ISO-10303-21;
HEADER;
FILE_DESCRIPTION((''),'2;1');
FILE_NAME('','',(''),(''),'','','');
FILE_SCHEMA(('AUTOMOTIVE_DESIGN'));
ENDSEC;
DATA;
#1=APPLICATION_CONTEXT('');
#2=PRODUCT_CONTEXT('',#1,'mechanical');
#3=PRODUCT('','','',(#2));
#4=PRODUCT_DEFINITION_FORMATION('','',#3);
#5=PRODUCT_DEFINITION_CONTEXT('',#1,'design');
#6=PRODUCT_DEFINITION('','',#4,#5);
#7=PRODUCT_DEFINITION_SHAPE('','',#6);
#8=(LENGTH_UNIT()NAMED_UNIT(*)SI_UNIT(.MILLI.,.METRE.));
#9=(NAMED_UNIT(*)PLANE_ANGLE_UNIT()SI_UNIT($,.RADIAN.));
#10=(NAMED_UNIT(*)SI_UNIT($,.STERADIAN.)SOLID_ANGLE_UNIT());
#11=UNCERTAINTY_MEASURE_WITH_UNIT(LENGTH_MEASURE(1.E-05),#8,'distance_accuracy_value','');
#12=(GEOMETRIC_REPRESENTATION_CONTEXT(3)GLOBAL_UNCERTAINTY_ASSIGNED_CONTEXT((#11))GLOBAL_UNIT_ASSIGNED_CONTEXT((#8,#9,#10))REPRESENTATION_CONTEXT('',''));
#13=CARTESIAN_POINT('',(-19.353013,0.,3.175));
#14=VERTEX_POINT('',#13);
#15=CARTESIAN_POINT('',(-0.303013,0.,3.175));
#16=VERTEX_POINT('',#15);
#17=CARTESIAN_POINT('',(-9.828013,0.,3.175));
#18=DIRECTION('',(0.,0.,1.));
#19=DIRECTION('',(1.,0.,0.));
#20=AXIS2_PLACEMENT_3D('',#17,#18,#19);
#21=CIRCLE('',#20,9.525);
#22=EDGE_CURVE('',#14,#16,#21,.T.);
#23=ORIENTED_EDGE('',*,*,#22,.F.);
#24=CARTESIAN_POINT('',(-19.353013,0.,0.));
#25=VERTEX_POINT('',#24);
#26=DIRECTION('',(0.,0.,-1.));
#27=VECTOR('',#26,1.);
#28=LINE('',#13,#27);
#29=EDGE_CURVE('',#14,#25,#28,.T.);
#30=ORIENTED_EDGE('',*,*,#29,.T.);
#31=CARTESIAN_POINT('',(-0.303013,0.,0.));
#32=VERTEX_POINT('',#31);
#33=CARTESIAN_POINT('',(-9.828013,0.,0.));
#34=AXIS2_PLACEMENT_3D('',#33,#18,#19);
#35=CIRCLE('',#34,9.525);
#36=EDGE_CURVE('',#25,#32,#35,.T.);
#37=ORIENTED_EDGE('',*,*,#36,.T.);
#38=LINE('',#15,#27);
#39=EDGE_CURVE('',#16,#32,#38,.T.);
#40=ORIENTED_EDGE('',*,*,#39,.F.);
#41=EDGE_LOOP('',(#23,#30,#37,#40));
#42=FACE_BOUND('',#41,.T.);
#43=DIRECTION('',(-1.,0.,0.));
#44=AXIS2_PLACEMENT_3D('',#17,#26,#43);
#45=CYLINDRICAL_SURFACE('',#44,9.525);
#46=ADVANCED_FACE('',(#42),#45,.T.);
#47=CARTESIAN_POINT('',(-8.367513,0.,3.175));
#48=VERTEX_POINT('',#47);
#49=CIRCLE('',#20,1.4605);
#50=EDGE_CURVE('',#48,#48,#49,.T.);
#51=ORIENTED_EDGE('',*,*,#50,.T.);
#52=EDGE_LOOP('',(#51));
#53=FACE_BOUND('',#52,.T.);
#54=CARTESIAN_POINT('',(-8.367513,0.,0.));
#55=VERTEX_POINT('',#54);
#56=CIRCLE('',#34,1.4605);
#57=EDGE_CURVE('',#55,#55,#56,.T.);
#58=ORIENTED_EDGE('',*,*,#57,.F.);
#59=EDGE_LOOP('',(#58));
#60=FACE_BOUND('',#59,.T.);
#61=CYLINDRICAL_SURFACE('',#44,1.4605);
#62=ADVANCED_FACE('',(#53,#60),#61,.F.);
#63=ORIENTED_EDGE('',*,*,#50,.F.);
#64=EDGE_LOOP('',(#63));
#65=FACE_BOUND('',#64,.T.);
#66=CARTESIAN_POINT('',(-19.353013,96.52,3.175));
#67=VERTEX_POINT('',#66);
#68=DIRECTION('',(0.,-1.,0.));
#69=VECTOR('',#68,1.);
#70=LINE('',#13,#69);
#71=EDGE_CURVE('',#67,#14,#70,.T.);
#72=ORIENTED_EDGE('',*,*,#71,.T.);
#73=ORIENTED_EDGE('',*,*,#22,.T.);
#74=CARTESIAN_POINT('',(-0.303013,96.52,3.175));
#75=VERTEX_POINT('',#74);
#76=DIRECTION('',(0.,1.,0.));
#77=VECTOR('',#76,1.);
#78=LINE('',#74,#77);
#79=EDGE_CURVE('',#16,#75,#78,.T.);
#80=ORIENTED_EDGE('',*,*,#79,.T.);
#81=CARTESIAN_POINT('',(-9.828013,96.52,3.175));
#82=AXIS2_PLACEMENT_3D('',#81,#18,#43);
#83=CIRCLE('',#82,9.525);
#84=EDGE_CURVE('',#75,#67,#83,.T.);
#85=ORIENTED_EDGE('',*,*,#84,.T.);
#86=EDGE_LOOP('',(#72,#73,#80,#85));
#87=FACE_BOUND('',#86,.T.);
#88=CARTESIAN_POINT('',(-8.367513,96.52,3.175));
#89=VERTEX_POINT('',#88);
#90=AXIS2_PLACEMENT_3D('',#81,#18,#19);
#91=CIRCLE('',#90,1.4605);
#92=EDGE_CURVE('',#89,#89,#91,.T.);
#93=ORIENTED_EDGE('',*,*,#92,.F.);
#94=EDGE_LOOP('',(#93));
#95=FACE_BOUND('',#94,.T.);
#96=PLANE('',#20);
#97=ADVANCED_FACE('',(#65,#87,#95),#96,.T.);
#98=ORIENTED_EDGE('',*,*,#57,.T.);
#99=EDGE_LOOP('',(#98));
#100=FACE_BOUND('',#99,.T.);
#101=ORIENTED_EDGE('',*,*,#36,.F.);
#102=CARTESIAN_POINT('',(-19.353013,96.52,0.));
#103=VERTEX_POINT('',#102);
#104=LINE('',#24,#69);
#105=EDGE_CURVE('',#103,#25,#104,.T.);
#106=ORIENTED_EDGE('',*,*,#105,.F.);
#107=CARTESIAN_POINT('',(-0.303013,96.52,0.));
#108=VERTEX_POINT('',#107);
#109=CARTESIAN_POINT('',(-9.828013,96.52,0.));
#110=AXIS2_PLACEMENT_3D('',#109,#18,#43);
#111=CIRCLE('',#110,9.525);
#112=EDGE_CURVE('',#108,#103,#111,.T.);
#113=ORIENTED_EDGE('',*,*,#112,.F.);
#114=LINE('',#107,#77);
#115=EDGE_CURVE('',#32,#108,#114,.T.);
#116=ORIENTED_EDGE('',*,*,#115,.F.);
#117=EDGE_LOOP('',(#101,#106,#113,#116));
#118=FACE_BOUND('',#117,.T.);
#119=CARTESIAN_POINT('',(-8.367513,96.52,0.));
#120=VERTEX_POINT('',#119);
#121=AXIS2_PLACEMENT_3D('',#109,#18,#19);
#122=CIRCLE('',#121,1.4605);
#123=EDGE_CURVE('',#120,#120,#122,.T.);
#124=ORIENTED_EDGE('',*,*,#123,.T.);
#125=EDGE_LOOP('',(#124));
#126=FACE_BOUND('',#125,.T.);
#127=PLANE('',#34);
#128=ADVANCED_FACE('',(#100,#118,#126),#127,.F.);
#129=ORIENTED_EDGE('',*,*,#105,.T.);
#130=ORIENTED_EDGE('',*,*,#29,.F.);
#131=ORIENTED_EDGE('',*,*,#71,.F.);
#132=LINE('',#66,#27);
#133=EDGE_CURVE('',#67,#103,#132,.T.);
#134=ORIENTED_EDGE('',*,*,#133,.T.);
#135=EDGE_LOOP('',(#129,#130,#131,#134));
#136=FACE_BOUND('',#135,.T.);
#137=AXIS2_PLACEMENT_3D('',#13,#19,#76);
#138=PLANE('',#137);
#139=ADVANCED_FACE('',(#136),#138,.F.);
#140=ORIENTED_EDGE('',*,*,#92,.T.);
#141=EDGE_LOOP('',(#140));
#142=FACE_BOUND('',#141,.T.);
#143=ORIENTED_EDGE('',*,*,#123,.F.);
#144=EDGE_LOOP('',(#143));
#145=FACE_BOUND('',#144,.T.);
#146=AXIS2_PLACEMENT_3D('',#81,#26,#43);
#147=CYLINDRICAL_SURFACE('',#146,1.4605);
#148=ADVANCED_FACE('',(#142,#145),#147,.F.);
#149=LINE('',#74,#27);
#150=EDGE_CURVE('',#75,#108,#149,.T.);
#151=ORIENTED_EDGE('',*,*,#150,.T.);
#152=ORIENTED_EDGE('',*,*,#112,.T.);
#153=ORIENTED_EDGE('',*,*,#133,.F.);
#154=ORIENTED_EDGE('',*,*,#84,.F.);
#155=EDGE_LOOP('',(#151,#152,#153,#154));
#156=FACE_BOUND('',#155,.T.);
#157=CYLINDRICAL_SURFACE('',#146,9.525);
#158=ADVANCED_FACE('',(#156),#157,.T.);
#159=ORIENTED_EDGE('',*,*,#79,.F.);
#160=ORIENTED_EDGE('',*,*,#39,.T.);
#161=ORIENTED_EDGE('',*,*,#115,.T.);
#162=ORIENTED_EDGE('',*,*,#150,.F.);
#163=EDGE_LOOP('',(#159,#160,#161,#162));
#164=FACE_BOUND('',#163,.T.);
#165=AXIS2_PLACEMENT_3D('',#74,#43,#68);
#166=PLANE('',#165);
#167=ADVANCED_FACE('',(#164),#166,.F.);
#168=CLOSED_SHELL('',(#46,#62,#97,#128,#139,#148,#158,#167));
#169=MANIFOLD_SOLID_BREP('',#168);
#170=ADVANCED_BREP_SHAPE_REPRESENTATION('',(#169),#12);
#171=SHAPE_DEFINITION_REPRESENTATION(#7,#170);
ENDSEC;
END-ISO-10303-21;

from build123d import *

# Parameters (mm, degrees)
SKETCH1_R           = 1.4605
BOSS_EXTRUDE1_DEPTH = 3.175


with BuildPart() as part:
    # Sketch1 → Boss-Extrude1 (new body)
    with BuildSketch(Plane.XY):
        with BuildLine():
            Line((-19.353012887, 0), (-19.353012887, 96.52))
            ThreePointArc((-19.353012887, 96.52), (-9.828012887, 106.045), (-0.303012887, 96.52))
            Line((-0.303012887, 96.52), (-0.303012887, 0))
            ThreePointArc((-0.303012887, 0), (-9.828012887, -9.525), (-19.353012887, 0))
        make_face()
        with Locations((-9.828012887, 0)):
            Circle(SKETCH1_R, mode=Mode.SUBTRACT)
        with Locations((-9.828012887, 96.52)):
            Circle(SKETCH1_R, mode=Mode.SUBTRACT)
    extrude(amount=BOSS_EXTRUDE1_DEPTH)


solid = part.part
